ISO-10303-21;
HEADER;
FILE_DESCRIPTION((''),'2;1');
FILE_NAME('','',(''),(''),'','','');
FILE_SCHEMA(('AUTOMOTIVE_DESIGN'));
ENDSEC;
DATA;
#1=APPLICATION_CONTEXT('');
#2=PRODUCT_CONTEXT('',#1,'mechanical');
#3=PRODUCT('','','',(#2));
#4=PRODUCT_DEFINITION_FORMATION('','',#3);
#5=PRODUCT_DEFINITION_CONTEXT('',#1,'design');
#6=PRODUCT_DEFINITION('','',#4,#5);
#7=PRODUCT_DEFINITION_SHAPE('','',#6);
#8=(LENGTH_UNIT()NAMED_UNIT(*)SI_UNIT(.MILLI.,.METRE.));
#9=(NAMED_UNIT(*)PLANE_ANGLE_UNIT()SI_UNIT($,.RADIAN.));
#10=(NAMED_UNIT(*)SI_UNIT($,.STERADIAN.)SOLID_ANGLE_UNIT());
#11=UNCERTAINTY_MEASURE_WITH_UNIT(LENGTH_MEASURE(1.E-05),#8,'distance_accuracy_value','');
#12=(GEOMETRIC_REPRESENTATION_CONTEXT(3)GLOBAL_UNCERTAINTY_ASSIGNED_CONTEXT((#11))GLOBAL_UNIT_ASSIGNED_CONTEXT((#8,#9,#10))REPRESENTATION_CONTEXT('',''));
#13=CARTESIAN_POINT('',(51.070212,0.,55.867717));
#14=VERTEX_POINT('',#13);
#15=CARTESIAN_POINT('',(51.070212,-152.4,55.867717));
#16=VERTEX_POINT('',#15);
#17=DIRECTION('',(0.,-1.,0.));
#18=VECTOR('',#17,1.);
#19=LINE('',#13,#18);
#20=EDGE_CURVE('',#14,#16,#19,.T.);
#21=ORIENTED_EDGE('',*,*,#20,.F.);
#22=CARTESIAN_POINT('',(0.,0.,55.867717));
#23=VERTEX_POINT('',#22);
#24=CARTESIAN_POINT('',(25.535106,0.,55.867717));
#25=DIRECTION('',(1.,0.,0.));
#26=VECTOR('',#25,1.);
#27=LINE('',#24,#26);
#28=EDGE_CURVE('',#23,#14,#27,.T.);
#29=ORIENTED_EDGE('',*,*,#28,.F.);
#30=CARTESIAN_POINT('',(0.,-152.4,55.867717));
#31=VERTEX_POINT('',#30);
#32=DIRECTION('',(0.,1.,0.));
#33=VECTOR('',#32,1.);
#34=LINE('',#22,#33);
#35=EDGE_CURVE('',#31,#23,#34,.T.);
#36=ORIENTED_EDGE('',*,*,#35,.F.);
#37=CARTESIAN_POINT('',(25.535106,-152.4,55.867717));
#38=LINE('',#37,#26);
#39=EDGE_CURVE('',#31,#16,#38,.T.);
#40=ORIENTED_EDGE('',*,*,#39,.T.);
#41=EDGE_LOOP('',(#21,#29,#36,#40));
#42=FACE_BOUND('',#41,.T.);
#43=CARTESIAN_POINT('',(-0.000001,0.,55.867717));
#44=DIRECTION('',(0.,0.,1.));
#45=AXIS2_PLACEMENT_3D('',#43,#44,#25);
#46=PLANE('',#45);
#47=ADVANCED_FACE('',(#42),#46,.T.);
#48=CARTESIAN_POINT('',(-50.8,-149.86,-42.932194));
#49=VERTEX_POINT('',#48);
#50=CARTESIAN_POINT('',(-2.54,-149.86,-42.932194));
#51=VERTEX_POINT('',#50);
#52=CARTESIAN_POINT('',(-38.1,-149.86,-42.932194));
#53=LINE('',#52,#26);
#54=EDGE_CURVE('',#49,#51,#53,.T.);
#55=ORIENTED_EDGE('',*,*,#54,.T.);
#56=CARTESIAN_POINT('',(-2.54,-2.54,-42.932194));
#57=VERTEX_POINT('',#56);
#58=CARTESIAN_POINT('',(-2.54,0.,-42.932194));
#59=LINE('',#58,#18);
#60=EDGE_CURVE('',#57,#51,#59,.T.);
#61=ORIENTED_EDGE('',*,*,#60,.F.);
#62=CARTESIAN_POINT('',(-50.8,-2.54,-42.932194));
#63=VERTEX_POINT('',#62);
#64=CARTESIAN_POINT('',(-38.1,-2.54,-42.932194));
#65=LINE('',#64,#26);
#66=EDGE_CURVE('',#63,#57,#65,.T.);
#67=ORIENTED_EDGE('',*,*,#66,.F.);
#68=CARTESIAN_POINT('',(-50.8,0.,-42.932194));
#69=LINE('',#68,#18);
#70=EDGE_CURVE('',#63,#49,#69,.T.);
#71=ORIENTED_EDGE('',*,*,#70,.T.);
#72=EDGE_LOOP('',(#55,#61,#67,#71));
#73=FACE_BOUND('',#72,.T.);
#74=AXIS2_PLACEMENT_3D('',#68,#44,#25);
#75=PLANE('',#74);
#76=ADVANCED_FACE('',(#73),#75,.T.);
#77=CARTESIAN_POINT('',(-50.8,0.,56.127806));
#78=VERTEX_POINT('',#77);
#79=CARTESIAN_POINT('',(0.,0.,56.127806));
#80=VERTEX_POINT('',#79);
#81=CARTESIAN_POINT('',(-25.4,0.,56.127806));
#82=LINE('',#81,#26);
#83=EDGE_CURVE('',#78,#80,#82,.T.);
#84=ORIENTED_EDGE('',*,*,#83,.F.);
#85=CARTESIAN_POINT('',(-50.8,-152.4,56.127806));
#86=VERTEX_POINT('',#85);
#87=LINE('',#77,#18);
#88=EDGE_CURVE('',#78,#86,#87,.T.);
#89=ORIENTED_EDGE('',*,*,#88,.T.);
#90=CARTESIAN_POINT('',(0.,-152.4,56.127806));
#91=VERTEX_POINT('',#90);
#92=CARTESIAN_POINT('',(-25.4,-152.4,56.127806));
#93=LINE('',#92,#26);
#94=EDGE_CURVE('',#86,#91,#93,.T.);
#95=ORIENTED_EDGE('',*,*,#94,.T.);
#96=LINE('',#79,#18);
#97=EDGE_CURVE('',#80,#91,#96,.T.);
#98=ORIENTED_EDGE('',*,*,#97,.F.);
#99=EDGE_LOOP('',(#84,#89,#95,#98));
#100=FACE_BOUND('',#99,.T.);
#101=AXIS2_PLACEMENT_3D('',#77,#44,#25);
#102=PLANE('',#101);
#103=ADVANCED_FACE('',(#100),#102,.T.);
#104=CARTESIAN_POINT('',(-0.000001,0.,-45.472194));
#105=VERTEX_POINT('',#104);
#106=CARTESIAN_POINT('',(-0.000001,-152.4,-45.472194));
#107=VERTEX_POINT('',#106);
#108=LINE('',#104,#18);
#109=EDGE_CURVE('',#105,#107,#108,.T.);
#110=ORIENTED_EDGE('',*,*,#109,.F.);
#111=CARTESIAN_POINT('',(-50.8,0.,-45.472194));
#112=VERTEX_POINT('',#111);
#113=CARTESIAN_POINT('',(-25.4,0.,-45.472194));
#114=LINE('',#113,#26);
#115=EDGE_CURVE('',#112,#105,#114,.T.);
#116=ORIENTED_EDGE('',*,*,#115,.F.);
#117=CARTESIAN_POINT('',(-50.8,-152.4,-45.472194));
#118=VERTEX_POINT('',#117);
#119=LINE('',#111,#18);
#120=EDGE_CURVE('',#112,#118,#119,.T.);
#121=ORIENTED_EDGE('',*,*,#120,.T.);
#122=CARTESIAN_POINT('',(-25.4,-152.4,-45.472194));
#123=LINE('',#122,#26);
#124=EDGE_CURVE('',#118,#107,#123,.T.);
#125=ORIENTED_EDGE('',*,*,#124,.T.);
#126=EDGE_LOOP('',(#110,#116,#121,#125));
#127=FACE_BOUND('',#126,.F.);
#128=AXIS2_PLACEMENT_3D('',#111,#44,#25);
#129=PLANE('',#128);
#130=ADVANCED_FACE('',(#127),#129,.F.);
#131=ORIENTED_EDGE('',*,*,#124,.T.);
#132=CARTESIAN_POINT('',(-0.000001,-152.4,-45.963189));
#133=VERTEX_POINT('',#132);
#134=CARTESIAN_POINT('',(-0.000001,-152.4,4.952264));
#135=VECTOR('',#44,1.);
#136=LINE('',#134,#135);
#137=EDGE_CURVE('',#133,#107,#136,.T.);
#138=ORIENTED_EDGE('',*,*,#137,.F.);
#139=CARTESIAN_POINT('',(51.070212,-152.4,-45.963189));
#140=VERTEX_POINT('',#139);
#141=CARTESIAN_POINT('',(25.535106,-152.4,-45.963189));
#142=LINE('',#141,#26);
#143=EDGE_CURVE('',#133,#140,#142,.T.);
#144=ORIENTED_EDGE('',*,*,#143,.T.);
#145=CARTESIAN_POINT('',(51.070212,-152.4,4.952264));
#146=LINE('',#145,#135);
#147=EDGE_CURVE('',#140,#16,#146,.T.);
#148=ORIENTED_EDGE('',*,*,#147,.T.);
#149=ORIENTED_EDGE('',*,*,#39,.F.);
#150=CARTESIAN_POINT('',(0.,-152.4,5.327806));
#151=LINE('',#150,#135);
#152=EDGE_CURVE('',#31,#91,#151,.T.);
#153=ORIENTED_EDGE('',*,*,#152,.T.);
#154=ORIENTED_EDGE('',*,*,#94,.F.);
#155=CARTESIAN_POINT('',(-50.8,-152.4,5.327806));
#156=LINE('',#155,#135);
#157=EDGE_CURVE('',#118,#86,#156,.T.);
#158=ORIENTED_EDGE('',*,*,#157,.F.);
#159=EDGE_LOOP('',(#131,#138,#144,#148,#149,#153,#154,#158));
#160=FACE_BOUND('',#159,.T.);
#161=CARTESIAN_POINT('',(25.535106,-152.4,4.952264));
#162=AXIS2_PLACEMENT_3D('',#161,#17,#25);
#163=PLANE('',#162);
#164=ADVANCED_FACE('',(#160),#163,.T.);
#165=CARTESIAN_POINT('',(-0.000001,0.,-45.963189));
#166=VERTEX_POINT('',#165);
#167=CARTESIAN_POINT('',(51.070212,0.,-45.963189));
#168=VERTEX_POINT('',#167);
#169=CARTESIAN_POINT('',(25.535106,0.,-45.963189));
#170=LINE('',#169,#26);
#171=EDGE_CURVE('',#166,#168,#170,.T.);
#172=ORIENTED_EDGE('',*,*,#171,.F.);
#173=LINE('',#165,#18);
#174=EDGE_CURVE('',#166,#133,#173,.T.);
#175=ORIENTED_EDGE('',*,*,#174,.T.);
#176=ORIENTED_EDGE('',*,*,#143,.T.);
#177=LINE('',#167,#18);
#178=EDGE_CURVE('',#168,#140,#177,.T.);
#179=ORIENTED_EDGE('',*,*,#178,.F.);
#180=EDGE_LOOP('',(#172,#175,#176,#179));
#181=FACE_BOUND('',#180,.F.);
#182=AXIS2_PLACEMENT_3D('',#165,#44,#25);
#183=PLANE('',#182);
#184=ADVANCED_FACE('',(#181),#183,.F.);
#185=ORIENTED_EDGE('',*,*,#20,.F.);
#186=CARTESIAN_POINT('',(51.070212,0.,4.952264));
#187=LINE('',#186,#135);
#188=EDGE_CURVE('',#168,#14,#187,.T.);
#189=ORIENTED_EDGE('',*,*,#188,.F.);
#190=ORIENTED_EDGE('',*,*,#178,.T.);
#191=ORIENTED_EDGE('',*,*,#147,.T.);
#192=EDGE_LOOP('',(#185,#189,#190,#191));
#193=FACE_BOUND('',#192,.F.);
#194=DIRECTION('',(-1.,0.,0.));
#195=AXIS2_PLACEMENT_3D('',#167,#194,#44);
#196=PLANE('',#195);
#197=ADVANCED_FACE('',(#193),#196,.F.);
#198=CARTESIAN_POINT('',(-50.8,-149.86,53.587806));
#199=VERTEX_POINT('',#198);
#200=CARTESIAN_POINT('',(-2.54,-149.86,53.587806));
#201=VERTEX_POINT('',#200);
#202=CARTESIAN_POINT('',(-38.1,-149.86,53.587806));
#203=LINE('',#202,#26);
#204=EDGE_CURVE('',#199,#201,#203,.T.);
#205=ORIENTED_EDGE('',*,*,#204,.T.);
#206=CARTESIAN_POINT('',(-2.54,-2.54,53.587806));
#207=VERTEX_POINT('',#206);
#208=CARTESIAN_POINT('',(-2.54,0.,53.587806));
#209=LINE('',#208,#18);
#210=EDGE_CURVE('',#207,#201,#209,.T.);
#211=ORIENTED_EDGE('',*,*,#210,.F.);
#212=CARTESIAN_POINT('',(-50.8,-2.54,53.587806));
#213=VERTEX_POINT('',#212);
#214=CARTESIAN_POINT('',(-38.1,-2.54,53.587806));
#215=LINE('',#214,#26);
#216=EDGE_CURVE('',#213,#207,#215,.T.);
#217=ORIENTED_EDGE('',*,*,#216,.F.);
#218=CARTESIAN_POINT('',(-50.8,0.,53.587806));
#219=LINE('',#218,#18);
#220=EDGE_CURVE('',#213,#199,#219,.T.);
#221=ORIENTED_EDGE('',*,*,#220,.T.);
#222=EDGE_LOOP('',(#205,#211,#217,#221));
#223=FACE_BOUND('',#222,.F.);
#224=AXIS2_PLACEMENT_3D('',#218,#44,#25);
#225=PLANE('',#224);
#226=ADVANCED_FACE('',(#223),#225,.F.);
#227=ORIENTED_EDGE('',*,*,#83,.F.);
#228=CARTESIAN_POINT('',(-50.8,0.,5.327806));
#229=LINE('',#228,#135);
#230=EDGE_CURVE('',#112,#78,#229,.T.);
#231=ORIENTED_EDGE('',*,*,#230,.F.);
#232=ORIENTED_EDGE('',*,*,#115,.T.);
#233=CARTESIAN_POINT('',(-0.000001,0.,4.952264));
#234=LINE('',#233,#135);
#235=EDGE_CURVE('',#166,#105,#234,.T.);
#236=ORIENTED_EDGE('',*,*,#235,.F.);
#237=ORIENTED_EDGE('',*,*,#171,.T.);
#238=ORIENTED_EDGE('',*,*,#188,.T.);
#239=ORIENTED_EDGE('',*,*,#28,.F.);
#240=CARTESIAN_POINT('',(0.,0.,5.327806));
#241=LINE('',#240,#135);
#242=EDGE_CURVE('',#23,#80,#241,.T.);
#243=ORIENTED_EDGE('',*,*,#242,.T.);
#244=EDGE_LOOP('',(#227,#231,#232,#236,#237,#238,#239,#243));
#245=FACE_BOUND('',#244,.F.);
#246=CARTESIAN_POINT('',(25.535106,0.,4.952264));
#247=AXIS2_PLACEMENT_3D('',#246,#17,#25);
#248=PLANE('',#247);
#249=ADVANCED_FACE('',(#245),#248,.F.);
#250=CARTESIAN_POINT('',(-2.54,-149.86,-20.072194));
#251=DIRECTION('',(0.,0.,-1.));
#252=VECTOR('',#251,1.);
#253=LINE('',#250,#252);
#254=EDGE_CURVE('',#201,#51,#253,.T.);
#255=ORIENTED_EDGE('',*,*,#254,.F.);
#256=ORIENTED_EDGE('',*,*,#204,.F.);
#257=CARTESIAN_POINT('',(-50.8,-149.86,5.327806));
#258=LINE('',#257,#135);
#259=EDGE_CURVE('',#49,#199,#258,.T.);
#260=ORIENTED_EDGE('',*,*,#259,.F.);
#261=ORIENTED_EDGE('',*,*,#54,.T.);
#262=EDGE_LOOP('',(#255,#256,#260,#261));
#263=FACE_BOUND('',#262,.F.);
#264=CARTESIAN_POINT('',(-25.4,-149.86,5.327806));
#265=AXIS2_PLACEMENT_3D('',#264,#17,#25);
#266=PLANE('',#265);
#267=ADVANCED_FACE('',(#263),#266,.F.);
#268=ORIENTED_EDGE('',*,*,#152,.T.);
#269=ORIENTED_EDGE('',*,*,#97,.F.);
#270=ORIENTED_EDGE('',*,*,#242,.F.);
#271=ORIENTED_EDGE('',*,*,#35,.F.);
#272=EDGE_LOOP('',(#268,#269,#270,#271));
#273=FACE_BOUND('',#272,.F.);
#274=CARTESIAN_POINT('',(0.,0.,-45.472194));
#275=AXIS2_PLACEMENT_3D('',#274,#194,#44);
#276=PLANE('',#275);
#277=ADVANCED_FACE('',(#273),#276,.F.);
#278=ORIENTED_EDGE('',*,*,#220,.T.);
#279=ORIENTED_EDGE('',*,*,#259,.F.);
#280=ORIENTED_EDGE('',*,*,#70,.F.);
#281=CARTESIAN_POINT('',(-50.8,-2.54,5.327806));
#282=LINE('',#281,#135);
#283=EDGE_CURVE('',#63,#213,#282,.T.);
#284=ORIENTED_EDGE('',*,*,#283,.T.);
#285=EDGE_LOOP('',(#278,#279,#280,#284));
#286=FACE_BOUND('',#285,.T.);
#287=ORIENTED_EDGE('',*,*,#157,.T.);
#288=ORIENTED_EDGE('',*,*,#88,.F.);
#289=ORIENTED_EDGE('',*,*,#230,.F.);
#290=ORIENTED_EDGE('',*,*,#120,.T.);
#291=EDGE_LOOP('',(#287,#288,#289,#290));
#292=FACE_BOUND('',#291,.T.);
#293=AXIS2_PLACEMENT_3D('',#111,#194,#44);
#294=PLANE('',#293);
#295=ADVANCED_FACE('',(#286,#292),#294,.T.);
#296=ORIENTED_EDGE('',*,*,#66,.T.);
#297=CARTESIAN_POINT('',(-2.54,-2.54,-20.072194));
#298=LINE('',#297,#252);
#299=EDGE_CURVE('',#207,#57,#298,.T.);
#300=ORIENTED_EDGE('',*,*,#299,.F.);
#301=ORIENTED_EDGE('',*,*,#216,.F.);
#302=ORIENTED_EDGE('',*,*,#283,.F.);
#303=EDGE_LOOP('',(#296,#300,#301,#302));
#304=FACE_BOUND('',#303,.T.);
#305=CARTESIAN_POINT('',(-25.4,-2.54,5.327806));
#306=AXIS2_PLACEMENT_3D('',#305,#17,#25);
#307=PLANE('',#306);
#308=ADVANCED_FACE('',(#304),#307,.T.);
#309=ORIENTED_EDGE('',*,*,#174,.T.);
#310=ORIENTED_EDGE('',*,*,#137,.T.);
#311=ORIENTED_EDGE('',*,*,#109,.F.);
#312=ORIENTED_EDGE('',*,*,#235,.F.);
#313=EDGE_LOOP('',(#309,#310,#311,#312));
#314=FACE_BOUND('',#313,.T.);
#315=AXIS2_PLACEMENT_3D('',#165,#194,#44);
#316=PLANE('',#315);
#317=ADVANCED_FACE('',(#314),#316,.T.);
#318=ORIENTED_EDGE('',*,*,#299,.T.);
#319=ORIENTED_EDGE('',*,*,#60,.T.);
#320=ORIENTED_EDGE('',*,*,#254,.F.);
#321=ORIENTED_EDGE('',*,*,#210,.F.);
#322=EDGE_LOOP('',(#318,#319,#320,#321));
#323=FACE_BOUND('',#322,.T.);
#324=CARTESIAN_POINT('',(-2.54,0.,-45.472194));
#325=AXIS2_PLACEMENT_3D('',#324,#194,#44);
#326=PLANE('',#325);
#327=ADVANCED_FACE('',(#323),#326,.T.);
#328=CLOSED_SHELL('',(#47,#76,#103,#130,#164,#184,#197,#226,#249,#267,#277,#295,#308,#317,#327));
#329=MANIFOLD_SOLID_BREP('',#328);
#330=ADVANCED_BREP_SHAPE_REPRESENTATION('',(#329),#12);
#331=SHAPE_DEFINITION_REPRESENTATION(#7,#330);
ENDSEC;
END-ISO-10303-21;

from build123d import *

# Parameters (mm, degrees)
F0_W     = 50.8
F0_H     = 101.6
F1_DEPTH = 152.4
F2_T     = -2.54
F3_W     = 51.070213
F3_H     = 101.830907
F4_DEPTH = 152.4


with BuildPart() as f1:
    # F0 (on Front) → F1 (new body)
    with BuildSketch(Plane.XZ):
        with Locations((-25.4, 5.327806)):
            Rectangle(F0_W, F0_H)
    extrude(amount=F1_DEPTH)

    # F2
    f2_openings = [f1.faces().sort_by_distance(p)[0] for p in [
        (-50.8, -76.2, 5.327806),
    ]]
    offset(amount=F2_T, openings=f2_openings)

    # F3 (on Front) → F4 (join)
    with BuildSketch(Plane.XZ):
        with Locations((25.535106, 4.952264)):
            Rectangle(F3_W, F3_H)
    extrude(amount=F4_DEPTH)


solid = f1.part
